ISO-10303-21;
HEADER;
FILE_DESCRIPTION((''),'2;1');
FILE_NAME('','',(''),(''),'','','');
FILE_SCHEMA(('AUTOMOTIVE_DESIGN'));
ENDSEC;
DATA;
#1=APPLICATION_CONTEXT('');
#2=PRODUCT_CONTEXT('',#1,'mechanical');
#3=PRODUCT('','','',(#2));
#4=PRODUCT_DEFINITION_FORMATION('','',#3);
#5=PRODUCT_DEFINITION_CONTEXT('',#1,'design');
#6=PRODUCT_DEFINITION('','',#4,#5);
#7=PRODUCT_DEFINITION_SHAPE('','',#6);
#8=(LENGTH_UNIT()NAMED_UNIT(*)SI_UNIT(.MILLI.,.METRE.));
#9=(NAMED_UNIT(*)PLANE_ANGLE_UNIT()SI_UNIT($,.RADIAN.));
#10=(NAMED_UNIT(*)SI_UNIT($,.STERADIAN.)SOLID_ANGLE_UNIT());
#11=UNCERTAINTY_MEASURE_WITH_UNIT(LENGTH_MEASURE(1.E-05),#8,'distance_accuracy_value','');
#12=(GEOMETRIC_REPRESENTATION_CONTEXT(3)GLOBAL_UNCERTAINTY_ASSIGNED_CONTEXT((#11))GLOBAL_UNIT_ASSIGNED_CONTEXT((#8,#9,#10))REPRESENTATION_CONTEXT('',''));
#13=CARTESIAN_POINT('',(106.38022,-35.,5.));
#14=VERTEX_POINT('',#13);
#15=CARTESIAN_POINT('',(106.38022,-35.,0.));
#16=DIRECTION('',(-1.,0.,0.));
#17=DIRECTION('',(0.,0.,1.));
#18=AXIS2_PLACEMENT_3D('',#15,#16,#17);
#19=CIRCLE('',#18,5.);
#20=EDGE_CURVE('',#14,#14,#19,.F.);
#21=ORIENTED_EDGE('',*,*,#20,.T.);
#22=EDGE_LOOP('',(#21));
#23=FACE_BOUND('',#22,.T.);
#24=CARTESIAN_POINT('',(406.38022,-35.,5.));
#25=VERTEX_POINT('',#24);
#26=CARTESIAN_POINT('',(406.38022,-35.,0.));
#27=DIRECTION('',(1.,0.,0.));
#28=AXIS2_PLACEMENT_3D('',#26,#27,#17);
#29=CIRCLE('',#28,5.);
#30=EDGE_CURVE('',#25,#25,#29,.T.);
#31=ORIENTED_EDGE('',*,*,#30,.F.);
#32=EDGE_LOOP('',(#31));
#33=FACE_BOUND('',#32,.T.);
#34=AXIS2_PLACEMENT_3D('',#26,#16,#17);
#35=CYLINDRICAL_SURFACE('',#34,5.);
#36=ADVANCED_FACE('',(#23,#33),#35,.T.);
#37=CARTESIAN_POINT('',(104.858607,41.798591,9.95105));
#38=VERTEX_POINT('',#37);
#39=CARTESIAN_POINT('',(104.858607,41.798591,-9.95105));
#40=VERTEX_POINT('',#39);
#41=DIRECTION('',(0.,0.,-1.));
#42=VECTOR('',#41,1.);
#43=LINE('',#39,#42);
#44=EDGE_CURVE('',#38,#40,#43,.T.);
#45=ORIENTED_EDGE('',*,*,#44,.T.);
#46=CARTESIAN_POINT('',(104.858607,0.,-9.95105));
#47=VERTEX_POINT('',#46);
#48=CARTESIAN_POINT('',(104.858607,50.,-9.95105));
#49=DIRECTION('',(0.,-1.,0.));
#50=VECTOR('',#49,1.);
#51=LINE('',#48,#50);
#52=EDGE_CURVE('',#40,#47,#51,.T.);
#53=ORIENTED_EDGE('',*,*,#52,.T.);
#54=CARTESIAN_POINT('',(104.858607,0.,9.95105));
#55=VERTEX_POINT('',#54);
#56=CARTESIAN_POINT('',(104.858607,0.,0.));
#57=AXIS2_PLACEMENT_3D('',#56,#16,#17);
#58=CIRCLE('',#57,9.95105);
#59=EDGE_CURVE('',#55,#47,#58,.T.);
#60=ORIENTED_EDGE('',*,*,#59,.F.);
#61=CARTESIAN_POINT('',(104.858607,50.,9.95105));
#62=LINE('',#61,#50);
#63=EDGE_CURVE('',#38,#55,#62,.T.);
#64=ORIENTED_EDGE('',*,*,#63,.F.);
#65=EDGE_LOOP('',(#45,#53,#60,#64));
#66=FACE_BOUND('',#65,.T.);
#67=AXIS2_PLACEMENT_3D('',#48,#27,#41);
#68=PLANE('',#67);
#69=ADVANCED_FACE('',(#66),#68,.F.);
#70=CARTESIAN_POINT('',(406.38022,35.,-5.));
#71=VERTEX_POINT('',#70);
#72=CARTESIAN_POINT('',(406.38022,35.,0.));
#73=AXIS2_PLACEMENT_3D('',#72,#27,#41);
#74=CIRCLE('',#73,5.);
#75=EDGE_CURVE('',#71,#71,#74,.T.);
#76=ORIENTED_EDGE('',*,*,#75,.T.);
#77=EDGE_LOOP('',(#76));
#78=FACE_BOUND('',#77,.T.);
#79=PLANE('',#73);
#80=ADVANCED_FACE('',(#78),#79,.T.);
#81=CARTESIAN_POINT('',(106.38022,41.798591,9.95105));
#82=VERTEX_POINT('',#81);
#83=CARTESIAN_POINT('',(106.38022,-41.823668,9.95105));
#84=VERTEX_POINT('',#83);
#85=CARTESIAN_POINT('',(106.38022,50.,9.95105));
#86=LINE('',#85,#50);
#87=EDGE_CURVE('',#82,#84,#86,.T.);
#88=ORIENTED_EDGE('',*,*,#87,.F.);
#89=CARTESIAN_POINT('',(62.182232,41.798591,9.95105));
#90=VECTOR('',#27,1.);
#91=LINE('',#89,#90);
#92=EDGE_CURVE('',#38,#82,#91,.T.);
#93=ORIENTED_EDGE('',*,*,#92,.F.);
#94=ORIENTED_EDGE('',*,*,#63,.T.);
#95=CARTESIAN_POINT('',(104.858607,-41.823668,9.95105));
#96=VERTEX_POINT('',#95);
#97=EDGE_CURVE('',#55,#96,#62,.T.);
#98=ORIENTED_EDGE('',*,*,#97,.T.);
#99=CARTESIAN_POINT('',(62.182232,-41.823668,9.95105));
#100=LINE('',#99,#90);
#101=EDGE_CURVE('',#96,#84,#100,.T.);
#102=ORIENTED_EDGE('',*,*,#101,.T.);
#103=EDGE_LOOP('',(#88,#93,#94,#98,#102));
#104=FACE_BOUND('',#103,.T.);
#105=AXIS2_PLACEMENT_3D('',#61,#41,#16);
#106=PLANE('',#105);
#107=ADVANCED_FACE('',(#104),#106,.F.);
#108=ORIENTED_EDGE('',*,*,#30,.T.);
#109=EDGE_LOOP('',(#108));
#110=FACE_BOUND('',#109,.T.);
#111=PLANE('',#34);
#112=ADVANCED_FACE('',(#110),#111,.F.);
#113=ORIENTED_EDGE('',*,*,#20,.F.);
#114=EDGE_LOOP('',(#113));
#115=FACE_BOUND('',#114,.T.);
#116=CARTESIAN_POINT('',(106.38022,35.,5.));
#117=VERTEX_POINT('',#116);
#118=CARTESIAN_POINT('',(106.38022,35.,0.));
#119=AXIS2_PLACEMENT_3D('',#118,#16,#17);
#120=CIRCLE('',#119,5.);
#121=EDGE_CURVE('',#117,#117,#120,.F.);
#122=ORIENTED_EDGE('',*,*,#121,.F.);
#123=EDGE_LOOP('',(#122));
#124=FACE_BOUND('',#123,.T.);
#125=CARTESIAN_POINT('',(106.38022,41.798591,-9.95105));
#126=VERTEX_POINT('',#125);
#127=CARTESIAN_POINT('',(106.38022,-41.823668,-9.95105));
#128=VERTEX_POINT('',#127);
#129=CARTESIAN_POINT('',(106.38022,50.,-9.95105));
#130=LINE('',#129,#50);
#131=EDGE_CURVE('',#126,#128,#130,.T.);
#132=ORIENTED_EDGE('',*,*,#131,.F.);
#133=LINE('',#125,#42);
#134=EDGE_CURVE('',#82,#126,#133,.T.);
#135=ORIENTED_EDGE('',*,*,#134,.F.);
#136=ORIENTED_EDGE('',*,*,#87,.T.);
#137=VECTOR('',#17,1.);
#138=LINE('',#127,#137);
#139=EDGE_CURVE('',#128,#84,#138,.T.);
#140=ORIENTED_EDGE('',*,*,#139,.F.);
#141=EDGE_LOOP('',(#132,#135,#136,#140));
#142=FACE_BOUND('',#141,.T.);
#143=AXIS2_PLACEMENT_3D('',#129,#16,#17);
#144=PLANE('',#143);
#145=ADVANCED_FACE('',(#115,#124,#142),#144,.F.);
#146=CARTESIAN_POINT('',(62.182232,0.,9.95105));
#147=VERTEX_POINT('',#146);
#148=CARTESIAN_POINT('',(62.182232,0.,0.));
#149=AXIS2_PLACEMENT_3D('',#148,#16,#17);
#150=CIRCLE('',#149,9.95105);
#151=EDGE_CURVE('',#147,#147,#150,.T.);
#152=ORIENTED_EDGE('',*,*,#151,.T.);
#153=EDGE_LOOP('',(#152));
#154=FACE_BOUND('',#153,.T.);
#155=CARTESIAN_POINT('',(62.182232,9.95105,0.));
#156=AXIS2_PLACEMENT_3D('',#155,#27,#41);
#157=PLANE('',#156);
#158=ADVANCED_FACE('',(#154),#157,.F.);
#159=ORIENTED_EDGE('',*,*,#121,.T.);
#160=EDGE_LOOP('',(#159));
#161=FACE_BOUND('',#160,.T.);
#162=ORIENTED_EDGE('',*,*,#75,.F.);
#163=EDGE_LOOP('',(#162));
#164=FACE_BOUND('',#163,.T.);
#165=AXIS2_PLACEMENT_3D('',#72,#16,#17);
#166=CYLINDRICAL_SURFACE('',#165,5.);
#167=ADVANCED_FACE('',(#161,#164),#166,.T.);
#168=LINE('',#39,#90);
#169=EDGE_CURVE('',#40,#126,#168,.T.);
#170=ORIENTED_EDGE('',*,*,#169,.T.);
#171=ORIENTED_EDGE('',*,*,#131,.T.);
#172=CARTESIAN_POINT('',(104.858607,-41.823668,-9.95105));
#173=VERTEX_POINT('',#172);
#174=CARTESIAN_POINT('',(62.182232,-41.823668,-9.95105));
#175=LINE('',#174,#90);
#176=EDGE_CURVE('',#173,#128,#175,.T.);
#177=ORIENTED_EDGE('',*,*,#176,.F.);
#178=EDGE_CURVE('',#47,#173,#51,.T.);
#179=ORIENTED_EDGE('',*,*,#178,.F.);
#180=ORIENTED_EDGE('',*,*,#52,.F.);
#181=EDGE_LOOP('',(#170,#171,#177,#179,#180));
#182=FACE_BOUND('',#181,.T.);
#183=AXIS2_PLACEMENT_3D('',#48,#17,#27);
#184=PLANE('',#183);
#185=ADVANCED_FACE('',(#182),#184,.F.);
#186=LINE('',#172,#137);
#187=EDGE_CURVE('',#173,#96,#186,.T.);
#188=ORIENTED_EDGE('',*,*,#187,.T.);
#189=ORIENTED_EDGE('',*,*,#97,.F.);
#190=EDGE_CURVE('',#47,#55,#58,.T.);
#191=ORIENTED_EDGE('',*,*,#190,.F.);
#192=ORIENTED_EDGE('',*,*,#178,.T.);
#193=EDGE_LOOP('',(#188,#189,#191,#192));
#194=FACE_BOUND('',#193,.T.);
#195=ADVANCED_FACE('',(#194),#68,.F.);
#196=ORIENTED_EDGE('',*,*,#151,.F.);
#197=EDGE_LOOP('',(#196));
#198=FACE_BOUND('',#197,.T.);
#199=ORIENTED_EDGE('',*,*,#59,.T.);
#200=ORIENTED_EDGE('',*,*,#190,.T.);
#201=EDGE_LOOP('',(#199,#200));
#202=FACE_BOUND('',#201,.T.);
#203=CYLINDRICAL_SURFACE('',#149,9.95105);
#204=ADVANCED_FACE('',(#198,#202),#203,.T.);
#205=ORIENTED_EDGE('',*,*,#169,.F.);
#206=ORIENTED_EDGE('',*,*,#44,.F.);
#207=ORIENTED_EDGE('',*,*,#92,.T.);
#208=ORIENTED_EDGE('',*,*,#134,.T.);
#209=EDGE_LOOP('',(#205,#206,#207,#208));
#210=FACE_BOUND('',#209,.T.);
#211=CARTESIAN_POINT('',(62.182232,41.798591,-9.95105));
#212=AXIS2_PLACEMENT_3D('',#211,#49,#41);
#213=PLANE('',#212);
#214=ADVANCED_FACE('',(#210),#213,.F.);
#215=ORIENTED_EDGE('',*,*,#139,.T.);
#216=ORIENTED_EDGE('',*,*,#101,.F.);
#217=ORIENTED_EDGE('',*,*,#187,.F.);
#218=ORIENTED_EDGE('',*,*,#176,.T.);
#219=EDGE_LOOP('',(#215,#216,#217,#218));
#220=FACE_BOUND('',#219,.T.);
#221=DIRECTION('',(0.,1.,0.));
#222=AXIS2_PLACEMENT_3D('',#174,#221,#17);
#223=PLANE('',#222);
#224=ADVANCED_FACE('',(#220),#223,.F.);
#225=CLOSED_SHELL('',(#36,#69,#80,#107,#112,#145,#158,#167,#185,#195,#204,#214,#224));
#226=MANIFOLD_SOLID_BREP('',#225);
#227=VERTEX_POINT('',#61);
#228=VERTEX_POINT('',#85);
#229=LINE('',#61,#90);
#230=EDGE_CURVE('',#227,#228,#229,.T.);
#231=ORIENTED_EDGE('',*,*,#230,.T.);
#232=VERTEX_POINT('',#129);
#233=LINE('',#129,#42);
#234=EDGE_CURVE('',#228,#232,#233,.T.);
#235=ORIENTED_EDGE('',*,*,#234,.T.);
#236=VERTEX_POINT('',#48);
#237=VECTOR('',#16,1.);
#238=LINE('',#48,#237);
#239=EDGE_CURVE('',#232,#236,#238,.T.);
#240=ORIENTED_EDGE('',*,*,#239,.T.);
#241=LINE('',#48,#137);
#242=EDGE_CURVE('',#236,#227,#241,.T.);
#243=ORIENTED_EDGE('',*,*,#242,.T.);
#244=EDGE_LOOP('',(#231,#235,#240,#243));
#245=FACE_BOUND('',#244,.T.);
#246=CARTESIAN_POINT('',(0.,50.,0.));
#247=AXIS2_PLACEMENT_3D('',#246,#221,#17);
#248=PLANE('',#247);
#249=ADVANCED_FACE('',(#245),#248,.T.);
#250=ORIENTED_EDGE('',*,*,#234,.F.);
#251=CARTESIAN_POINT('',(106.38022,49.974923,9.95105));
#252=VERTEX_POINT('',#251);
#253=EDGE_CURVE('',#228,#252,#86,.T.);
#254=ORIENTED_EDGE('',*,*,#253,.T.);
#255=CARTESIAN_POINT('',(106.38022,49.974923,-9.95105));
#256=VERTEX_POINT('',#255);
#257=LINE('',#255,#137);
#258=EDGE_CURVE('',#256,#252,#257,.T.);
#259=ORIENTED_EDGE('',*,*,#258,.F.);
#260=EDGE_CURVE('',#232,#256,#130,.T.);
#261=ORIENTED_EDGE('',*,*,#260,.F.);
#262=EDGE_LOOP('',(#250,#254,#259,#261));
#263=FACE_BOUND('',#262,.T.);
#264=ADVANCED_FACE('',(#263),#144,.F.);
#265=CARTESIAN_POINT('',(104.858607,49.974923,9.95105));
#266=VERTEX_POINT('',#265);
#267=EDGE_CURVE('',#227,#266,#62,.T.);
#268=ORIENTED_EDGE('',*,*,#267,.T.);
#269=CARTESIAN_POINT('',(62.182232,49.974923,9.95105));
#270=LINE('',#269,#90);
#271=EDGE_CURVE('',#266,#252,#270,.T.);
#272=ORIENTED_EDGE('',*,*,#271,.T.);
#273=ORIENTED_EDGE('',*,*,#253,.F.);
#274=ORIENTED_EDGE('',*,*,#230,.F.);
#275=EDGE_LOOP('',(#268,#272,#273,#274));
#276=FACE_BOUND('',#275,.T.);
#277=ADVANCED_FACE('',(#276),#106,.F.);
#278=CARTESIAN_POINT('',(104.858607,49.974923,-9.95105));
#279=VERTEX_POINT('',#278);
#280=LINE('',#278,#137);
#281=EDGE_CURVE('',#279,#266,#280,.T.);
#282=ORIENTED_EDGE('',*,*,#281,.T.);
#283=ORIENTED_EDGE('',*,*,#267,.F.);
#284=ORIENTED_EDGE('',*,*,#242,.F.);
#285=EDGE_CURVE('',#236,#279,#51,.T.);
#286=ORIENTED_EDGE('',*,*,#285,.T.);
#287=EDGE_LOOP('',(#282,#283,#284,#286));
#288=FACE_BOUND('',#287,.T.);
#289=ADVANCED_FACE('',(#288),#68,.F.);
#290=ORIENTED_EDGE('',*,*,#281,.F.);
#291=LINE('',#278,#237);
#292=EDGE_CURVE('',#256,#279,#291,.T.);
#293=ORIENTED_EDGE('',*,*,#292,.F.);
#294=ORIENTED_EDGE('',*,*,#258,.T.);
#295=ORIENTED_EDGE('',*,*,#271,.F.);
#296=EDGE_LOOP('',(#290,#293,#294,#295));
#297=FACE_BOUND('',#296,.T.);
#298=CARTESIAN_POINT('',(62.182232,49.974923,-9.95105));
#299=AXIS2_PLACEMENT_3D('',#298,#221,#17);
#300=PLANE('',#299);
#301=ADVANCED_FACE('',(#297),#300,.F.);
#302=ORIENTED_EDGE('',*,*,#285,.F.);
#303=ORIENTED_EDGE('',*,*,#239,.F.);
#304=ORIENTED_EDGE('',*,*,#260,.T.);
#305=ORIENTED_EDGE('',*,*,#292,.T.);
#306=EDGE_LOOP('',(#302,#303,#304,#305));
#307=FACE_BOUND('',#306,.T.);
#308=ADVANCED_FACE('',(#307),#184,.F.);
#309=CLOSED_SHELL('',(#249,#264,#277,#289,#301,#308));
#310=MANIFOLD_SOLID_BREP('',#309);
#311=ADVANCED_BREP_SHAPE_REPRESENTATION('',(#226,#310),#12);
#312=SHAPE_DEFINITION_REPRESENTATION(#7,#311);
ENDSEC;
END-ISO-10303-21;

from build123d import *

# Parameters (mm, degrees)
SKETCH1_W           = 42.676374934
SKETCH1_H           = 9.951050175
SKETCH2_W           = 1.52161308
SKETCH2_H           = 19.90210035
BOSS_EXTRUDE1_DEPTH = 50
SKETCH3_R           = 5
BOSS_EXTRUDE2_DEPTH = 300
SKETCH4_W           = 19.90210035
SKETCH4_H           = 8.176332163
CUT_EXTRUDE1_DEPTH  = 305.300876436


with BuildPart() as part:
    # Sketch1 → Revolve1 (revolve)
    with BuildSketch(Plane.XY):
        with Locations((83.520419131, 4.975525088)):
            Rectangle(SKETCH1_W, SKETCH1_H)
    revolve(axis=Axis((62.182231664, 0, 0), (1, 0, 0)))

    # Sketch2 → Boss-Extrude1 (add, symmetric)
    with BuildSketch(Plane(origin=(0, 0, 0), x_dir=(1, 0, 0), z_dir=(0, 1, 0))):
        with Locations((105.619413138, 0)):
            Rectangle(SKETCH2_W, SKETCH2_H)
    extrude(amount=BOSS_EXTRUDE1_DEPTH, both=True)

    # Sketch3 → Boss-Extrude2 (add)
    with BuildSketch(Plane(origin=(106.380219678, 0, 0), x_dir=(0, 0, -1), z_dir=(1, 0, 0))):
        with Locations((0, 35)):
            Circle(SKETCH3_R)
        with Locations((0, -35)):
            Circle(SKETCH3_R)
    extrude(amount=BOSS_EXTRUDE2_DEPTH)

    # Sketch4 → Cut-Extrude1 (cut, through all)
    with BuildSketch(Plane(origin=(106.380219678, 0, 0), x_dir=(0, 0, -1), z_dir=(1, 0, 0))):
        with Locations((0, -45.911833919)):
            Rectangle(SKETCH4_W, SKETCH4_H)
        with Locations((0, 45.886757364)):
            Rectangle(SKETCH4_W, SKETCH4_H)
    extrude(amount=-CUT_EXTRUDE1_DEPTH, mode=Mode.SUBTRACT)


with BuildPart() as cut_extrude1_piece_1:
    # of the separate pieces the step leaves, piece 1, a body of its own (cut_extrude1_pieces)
    add(part.part.solids().sort_by_distance((104.858606598, 9.951050175, 0))[0])


with BuildPart() as cut_extrude1_piece_2:
    # of the separate pieces the step leaves, piece 2, a body of its own (cut_extrude1_pieces)
    add(part.part.solids().sort_by_distance((104.858606598, 49.974923446, 9.951050175))[0])


solid = Compound([cut_extrude1_piece_1.part, cut_extrude1_piece_2.part])
